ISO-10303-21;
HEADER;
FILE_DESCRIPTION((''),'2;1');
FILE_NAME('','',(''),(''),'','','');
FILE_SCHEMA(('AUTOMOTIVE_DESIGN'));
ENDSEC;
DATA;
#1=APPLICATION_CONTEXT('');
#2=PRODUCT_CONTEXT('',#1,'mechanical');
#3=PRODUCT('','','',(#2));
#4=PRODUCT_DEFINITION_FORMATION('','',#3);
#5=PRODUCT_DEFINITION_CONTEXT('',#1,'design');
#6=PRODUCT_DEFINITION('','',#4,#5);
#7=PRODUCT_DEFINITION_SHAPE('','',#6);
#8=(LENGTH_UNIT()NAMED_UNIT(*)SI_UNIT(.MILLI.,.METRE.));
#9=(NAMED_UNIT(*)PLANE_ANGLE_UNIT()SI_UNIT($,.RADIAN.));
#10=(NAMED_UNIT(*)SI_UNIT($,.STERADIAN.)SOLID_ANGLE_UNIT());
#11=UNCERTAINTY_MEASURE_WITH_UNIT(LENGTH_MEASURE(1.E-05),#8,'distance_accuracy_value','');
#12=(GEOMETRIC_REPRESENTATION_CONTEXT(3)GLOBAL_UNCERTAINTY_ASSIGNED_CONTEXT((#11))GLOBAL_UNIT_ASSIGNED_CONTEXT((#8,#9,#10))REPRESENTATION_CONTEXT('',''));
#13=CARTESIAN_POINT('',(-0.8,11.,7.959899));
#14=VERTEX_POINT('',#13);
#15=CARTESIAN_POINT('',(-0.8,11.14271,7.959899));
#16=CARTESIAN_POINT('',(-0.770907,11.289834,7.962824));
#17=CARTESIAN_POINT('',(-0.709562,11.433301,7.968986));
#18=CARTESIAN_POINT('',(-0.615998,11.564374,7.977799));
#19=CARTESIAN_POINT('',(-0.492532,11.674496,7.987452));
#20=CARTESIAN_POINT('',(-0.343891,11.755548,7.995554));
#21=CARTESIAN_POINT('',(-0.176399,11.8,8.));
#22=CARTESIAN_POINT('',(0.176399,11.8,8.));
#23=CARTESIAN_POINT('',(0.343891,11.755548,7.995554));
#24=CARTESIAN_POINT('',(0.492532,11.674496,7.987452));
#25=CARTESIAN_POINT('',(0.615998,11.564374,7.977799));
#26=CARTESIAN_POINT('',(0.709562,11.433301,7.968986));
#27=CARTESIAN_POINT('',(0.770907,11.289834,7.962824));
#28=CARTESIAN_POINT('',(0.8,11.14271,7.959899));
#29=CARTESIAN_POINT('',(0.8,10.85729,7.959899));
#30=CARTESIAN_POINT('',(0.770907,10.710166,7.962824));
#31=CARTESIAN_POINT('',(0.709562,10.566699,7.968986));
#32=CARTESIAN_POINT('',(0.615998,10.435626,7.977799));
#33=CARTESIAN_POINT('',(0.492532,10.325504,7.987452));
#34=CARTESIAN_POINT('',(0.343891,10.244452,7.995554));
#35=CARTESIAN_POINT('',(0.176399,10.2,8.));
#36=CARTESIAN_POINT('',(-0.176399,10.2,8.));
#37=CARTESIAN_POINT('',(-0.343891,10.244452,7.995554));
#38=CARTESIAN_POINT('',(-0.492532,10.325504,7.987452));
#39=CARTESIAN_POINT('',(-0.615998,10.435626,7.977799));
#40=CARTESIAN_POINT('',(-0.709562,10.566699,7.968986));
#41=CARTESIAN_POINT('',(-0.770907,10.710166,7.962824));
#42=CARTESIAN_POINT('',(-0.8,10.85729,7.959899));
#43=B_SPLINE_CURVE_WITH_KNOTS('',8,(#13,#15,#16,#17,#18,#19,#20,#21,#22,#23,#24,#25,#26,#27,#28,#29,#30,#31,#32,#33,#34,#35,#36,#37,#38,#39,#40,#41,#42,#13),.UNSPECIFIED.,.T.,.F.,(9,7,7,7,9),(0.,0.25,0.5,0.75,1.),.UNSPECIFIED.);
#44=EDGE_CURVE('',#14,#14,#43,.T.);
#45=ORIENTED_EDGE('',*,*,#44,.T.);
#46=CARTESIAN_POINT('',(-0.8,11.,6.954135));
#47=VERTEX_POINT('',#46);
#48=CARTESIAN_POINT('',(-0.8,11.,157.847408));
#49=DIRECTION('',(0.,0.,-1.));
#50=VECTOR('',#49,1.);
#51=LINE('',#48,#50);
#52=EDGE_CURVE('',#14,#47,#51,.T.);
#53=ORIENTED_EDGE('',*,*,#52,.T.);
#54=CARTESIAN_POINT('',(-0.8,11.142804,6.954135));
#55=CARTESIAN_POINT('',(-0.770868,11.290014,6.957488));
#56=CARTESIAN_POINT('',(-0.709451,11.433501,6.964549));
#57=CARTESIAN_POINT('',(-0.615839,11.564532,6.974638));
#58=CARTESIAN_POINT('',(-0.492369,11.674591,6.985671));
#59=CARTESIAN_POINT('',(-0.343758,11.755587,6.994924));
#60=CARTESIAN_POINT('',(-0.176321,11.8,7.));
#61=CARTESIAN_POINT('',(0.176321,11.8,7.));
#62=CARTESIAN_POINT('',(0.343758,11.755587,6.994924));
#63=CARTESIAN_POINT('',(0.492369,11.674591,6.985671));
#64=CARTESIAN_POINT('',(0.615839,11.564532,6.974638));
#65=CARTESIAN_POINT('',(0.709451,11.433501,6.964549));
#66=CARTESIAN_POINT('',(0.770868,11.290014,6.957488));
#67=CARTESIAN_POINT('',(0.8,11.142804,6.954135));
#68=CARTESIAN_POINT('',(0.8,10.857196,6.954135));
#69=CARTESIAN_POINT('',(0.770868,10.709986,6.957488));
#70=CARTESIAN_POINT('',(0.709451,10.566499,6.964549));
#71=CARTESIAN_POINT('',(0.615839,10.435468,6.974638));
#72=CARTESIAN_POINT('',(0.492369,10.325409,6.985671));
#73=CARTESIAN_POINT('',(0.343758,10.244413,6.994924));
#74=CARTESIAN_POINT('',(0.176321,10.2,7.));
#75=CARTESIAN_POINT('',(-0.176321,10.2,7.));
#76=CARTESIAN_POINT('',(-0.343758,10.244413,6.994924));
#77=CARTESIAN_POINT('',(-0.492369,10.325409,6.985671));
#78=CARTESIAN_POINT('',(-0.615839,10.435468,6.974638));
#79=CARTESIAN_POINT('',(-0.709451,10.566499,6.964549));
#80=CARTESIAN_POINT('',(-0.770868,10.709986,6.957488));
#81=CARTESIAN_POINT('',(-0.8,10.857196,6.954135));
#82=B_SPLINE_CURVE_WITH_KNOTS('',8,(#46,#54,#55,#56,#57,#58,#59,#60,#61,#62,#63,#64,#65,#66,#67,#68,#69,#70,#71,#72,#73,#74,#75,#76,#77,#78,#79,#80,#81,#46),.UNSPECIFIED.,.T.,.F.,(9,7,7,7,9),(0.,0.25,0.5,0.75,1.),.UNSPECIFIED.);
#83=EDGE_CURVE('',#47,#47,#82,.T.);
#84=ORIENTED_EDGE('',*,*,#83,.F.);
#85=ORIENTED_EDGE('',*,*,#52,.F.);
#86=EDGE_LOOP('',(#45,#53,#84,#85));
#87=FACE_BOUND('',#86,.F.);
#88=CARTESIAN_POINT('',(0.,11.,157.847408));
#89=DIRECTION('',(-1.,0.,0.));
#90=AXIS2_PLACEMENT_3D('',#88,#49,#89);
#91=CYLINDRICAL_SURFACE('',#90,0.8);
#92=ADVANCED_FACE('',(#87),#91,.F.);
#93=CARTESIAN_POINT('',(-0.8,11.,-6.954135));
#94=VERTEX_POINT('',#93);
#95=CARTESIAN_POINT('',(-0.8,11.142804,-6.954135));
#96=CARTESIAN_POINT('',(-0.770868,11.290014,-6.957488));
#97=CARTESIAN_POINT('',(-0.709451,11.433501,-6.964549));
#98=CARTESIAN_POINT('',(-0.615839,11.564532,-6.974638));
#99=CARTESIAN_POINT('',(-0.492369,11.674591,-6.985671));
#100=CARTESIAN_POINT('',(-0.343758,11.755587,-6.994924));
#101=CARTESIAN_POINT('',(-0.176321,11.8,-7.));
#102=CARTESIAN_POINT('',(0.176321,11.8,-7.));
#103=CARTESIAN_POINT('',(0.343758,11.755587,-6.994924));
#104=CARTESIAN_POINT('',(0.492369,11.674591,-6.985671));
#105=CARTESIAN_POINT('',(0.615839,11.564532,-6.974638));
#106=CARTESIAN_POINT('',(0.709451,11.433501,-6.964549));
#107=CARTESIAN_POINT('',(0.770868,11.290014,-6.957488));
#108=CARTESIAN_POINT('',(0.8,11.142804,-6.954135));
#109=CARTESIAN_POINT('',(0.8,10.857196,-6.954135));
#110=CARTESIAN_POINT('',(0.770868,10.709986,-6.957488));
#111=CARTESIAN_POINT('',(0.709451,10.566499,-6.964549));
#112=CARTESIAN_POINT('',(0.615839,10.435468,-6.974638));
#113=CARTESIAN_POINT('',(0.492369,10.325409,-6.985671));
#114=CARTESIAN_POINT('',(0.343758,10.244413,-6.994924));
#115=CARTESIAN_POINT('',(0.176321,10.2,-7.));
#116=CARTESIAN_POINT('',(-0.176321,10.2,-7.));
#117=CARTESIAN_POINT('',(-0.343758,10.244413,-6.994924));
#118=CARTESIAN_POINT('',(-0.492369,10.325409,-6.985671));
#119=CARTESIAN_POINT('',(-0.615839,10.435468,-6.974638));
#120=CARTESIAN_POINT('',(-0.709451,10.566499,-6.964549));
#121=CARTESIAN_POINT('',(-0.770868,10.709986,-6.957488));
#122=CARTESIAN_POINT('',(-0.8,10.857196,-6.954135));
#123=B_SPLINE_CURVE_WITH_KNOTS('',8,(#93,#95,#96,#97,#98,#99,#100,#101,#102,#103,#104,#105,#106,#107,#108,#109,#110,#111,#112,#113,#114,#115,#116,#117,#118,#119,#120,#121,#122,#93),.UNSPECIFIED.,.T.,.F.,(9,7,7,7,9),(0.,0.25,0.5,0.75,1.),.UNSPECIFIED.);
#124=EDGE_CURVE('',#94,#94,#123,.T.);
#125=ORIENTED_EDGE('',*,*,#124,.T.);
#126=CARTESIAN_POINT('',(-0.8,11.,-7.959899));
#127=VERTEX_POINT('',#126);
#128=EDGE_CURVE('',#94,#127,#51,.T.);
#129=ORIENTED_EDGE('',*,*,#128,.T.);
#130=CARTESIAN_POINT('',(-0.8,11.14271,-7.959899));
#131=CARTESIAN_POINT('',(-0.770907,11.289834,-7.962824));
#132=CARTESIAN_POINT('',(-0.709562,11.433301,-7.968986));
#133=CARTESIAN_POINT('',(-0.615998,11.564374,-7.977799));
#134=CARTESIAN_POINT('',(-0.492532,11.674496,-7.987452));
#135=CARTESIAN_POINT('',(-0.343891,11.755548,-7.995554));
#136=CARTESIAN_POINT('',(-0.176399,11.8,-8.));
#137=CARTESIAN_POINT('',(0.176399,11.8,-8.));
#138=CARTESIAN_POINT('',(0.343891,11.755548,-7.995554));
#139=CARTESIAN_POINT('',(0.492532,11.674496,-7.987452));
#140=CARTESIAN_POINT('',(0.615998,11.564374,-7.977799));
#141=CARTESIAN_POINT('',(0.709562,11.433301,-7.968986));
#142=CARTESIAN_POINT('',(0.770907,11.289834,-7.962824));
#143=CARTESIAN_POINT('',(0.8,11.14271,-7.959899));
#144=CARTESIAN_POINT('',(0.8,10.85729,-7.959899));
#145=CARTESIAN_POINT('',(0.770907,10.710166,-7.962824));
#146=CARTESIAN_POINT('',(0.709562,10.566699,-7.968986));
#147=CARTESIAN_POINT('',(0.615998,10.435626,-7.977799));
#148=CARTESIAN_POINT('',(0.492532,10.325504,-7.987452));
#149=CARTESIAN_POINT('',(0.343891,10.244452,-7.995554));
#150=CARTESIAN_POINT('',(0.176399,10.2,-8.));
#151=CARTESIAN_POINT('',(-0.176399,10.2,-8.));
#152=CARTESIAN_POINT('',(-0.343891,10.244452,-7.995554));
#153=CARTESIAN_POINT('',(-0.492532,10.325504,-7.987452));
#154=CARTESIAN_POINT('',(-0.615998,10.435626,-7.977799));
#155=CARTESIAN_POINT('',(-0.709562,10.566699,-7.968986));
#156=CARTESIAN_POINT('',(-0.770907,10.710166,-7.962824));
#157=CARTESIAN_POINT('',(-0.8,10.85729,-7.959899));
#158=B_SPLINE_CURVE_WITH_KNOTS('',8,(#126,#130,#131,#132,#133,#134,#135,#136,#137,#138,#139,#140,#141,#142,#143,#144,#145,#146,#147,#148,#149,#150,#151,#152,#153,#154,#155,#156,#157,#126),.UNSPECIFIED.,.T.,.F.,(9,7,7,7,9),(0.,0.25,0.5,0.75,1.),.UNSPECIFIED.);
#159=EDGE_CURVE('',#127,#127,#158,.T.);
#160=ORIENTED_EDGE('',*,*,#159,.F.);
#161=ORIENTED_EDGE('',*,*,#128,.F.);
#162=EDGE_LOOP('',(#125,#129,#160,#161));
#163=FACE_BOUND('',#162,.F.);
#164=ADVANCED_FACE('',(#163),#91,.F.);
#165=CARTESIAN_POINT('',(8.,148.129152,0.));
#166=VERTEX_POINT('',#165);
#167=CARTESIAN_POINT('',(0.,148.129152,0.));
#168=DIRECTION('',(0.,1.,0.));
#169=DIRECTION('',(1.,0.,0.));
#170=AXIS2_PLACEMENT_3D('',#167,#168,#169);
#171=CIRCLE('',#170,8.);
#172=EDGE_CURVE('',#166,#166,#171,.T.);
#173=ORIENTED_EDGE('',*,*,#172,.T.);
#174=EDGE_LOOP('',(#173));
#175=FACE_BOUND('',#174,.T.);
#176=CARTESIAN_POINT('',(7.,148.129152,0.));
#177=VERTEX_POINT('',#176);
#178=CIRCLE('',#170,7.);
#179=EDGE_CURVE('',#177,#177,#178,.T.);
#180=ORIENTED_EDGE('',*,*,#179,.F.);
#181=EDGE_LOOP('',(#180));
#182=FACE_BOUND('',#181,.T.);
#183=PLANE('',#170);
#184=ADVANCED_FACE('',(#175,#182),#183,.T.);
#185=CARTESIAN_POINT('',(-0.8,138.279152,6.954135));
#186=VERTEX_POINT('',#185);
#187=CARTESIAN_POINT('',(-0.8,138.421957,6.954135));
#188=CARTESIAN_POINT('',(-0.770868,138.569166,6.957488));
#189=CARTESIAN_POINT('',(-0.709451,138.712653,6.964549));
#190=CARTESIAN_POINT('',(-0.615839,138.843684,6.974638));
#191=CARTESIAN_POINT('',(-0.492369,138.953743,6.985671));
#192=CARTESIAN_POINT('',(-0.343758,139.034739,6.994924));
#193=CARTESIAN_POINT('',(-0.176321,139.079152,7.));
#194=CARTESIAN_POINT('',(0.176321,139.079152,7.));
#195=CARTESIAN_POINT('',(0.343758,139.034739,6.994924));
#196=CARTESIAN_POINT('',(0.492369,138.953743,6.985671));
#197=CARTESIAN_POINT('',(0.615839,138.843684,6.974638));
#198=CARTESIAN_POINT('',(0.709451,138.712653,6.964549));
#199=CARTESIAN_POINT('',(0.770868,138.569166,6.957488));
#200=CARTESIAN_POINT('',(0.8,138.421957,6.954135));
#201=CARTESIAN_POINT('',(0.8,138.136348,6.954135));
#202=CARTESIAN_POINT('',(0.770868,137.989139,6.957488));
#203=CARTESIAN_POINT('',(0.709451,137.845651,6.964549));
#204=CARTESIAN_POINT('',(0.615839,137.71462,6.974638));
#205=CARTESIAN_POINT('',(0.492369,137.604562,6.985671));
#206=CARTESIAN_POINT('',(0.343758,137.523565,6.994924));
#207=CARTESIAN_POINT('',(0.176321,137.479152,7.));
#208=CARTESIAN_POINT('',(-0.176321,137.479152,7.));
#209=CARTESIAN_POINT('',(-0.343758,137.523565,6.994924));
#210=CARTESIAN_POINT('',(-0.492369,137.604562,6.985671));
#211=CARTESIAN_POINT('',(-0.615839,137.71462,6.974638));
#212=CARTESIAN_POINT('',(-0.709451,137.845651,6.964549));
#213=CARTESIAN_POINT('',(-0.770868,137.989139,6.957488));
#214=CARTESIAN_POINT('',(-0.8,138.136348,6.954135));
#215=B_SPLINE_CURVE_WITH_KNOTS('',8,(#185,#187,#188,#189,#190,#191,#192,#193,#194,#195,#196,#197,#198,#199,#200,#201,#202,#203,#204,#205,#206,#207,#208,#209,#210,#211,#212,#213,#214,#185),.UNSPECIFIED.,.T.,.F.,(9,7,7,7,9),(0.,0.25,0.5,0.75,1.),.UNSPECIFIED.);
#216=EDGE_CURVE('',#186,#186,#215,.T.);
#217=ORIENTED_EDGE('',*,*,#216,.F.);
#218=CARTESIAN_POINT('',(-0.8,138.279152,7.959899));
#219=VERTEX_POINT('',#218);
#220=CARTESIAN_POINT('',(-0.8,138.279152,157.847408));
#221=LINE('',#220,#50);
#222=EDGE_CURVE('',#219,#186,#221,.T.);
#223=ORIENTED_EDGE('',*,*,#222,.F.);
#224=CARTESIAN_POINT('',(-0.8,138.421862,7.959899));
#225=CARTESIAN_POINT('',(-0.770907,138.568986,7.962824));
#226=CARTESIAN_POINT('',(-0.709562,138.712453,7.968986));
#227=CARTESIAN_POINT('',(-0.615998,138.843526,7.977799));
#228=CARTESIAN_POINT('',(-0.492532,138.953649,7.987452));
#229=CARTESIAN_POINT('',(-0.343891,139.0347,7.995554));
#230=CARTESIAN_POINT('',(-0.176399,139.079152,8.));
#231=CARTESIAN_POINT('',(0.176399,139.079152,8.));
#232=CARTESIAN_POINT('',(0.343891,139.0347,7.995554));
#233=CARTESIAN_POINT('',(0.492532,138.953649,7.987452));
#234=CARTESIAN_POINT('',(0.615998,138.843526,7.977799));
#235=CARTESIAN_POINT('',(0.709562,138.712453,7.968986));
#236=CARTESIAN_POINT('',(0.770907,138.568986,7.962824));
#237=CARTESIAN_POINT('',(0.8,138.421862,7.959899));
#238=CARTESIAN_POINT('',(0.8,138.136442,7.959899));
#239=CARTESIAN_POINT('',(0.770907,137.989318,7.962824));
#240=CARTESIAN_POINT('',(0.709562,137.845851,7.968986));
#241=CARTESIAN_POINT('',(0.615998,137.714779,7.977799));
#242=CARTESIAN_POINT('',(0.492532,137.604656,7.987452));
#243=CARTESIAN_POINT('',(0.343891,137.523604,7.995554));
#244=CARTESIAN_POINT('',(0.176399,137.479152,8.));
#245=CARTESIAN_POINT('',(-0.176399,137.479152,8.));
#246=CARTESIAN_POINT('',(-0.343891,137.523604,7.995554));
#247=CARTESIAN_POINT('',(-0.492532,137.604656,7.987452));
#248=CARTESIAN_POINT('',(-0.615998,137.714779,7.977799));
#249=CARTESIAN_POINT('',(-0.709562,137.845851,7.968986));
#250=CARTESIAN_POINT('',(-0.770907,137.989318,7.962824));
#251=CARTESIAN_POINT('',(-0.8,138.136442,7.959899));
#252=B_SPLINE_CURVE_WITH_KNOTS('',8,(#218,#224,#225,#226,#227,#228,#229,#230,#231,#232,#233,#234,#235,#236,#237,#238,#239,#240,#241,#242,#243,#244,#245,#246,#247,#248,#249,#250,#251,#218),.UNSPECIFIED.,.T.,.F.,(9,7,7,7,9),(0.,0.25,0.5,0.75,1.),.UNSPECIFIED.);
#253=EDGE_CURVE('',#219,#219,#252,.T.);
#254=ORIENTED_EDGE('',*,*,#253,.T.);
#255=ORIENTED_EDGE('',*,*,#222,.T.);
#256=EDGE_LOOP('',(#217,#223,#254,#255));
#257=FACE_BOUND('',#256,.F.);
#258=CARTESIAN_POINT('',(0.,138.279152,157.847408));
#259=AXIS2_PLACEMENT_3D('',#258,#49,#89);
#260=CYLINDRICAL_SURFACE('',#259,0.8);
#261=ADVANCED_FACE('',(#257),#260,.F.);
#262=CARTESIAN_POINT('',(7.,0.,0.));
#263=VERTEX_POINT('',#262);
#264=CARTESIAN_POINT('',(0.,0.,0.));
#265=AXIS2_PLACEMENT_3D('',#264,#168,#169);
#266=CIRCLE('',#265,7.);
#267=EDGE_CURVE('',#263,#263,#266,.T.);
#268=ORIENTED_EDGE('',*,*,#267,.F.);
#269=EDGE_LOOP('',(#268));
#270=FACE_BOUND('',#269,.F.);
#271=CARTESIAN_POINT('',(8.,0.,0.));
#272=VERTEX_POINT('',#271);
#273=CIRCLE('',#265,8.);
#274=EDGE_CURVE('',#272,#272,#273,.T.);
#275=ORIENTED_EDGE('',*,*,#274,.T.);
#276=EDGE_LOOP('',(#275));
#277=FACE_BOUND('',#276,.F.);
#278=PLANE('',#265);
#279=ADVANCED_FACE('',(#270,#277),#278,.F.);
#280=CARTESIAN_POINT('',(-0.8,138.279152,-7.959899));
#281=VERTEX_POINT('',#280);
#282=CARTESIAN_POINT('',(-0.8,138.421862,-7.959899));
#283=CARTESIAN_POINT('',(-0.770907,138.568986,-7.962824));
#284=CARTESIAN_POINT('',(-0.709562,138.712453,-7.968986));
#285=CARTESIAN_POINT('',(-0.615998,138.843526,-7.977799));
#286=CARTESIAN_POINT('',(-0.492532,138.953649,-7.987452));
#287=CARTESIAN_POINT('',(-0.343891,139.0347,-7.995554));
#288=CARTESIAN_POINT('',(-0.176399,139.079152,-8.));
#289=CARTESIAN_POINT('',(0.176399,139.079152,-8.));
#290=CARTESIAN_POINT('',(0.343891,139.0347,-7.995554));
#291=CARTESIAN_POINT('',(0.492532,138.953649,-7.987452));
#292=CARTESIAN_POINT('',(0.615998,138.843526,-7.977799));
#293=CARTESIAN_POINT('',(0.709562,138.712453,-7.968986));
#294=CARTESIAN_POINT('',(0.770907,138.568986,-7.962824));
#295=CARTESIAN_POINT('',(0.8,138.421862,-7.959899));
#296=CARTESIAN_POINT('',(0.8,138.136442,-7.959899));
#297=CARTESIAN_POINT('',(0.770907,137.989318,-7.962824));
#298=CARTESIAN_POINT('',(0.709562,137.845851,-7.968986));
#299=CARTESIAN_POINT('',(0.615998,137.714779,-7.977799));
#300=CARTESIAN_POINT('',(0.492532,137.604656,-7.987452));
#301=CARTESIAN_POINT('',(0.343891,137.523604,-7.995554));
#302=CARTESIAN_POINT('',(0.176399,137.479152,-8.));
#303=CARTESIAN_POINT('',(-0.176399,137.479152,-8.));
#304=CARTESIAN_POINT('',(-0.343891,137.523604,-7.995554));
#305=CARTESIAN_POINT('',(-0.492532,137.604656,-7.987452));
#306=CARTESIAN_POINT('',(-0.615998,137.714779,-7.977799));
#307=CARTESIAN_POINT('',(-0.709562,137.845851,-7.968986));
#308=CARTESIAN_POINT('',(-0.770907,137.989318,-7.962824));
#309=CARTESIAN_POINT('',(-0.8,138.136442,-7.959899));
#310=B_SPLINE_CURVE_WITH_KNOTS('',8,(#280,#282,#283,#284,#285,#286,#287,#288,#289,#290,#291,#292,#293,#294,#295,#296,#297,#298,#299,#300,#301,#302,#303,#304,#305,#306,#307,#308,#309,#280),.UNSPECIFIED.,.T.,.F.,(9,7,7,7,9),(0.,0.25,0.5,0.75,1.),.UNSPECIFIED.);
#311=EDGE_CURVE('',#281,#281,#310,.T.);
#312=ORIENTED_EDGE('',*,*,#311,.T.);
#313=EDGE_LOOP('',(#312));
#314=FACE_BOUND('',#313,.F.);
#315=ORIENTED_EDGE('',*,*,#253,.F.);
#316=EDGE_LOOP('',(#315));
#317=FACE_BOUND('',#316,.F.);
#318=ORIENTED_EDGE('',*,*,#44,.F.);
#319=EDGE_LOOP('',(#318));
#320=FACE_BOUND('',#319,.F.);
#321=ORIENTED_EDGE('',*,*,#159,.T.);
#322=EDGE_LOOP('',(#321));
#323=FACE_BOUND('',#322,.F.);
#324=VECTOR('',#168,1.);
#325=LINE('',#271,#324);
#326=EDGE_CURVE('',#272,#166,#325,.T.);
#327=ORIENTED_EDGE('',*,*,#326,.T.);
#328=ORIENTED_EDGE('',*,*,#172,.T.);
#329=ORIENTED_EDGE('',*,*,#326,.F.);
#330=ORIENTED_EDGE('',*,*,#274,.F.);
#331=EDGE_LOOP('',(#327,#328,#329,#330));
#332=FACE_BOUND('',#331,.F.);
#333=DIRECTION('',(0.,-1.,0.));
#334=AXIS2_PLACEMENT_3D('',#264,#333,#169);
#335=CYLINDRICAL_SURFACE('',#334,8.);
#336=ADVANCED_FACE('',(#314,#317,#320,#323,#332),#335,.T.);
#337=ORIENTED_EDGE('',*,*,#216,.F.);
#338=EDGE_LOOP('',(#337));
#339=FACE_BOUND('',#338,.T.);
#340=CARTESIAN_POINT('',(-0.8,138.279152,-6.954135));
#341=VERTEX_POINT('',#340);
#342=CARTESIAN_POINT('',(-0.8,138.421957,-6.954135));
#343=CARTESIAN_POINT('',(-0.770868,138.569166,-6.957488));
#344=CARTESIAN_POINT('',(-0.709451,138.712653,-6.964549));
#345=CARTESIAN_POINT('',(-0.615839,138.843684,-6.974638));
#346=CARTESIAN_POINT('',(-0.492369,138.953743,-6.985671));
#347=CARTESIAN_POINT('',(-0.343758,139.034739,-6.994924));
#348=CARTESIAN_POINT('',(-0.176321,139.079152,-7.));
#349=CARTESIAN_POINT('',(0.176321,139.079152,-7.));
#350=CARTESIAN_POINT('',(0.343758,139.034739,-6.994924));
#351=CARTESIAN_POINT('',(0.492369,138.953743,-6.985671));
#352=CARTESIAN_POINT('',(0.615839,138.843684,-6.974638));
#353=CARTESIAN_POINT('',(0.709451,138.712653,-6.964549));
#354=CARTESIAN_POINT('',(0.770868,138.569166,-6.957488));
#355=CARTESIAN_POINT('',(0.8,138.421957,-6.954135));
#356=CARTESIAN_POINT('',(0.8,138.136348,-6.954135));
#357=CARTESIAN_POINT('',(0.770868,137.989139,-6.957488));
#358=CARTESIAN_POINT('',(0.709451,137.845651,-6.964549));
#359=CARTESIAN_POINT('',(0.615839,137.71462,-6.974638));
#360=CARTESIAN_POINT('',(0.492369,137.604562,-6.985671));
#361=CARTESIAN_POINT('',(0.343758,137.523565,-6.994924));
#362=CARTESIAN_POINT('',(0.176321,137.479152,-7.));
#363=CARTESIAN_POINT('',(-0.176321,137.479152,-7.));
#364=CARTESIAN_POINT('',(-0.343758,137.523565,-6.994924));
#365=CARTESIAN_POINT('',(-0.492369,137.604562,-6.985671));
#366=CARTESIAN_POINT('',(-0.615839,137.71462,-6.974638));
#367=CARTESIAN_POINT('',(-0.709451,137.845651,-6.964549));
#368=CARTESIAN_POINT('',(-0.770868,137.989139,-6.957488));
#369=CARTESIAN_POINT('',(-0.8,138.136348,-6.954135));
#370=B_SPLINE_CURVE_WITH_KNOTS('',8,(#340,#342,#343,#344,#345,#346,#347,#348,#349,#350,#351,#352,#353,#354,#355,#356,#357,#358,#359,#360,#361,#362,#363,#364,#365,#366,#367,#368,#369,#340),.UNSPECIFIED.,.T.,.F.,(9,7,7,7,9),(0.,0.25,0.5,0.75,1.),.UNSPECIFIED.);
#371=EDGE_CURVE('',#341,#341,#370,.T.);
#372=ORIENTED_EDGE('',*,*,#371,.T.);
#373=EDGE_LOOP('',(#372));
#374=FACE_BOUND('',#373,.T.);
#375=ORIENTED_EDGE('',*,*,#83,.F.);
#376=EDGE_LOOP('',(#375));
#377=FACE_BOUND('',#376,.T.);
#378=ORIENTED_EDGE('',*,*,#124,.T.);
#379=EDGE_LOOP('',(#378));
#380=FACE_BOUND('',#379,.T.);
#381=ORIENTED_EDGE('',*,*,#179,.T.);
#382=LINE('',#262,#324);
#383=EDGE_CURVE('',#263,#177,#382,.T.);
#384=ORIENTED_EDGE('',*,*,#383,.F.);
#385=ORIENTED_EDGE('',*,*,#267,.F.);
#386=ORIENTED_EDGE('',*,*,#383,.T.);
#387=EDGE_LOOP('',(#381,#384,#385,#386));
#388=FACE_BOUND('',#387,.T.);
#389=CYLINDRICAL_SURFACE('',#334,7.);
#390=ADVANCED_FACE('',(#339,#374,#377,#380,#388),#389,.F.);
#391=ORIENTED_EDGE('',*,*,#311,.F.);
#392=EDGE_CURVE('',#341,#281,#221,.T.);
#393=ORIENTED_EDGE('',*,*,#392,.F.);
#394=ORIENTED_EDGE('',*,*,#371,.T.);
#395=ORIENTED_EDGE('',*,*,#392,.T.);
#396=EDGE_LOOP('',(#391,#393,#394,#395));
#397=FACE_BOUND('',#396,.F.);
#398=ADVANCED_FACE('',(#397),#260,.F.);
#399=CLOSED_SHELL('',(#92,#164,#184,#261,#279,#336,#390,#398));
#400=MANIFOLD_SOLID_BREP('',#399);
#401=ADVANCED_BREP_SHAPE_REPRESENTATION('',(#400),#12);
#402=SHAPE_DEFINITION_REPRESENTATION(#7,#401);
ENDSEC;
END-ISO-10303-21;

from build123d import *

# Parameters (mm, degrees)
SKETCH2_R           = 8
SKETCH2_R_2         = 7
BOSS_EXTRUDE1_DEPTH = 148.12915224
M2_TAPPED_HOLE1_D   = 1.6


with BuildPart() as part:
    # Sketch2 → Boss-Extrude1 (new body)
    with BuildSketch(Plane(origin=(0, 0, 0), x_dir=(1, 0, 0), z_dir=(0, 1, 0))):
        Circle(SKETCH2_R)
        Circle(SKETCH2_R_2, mode=Mode.SUBTRACT)
    extrude(amount=BOSS_EXTRUDE1_DEPTH)

    # M2 Tapped Hole1 (through all)
    with Locations(Plane.XY.offset(8)):
        with Locations((0, 11), (0, 138.27915224)):
            Hole(M2_TAPPED_HOLE1_D / 2)


solid = part.part
